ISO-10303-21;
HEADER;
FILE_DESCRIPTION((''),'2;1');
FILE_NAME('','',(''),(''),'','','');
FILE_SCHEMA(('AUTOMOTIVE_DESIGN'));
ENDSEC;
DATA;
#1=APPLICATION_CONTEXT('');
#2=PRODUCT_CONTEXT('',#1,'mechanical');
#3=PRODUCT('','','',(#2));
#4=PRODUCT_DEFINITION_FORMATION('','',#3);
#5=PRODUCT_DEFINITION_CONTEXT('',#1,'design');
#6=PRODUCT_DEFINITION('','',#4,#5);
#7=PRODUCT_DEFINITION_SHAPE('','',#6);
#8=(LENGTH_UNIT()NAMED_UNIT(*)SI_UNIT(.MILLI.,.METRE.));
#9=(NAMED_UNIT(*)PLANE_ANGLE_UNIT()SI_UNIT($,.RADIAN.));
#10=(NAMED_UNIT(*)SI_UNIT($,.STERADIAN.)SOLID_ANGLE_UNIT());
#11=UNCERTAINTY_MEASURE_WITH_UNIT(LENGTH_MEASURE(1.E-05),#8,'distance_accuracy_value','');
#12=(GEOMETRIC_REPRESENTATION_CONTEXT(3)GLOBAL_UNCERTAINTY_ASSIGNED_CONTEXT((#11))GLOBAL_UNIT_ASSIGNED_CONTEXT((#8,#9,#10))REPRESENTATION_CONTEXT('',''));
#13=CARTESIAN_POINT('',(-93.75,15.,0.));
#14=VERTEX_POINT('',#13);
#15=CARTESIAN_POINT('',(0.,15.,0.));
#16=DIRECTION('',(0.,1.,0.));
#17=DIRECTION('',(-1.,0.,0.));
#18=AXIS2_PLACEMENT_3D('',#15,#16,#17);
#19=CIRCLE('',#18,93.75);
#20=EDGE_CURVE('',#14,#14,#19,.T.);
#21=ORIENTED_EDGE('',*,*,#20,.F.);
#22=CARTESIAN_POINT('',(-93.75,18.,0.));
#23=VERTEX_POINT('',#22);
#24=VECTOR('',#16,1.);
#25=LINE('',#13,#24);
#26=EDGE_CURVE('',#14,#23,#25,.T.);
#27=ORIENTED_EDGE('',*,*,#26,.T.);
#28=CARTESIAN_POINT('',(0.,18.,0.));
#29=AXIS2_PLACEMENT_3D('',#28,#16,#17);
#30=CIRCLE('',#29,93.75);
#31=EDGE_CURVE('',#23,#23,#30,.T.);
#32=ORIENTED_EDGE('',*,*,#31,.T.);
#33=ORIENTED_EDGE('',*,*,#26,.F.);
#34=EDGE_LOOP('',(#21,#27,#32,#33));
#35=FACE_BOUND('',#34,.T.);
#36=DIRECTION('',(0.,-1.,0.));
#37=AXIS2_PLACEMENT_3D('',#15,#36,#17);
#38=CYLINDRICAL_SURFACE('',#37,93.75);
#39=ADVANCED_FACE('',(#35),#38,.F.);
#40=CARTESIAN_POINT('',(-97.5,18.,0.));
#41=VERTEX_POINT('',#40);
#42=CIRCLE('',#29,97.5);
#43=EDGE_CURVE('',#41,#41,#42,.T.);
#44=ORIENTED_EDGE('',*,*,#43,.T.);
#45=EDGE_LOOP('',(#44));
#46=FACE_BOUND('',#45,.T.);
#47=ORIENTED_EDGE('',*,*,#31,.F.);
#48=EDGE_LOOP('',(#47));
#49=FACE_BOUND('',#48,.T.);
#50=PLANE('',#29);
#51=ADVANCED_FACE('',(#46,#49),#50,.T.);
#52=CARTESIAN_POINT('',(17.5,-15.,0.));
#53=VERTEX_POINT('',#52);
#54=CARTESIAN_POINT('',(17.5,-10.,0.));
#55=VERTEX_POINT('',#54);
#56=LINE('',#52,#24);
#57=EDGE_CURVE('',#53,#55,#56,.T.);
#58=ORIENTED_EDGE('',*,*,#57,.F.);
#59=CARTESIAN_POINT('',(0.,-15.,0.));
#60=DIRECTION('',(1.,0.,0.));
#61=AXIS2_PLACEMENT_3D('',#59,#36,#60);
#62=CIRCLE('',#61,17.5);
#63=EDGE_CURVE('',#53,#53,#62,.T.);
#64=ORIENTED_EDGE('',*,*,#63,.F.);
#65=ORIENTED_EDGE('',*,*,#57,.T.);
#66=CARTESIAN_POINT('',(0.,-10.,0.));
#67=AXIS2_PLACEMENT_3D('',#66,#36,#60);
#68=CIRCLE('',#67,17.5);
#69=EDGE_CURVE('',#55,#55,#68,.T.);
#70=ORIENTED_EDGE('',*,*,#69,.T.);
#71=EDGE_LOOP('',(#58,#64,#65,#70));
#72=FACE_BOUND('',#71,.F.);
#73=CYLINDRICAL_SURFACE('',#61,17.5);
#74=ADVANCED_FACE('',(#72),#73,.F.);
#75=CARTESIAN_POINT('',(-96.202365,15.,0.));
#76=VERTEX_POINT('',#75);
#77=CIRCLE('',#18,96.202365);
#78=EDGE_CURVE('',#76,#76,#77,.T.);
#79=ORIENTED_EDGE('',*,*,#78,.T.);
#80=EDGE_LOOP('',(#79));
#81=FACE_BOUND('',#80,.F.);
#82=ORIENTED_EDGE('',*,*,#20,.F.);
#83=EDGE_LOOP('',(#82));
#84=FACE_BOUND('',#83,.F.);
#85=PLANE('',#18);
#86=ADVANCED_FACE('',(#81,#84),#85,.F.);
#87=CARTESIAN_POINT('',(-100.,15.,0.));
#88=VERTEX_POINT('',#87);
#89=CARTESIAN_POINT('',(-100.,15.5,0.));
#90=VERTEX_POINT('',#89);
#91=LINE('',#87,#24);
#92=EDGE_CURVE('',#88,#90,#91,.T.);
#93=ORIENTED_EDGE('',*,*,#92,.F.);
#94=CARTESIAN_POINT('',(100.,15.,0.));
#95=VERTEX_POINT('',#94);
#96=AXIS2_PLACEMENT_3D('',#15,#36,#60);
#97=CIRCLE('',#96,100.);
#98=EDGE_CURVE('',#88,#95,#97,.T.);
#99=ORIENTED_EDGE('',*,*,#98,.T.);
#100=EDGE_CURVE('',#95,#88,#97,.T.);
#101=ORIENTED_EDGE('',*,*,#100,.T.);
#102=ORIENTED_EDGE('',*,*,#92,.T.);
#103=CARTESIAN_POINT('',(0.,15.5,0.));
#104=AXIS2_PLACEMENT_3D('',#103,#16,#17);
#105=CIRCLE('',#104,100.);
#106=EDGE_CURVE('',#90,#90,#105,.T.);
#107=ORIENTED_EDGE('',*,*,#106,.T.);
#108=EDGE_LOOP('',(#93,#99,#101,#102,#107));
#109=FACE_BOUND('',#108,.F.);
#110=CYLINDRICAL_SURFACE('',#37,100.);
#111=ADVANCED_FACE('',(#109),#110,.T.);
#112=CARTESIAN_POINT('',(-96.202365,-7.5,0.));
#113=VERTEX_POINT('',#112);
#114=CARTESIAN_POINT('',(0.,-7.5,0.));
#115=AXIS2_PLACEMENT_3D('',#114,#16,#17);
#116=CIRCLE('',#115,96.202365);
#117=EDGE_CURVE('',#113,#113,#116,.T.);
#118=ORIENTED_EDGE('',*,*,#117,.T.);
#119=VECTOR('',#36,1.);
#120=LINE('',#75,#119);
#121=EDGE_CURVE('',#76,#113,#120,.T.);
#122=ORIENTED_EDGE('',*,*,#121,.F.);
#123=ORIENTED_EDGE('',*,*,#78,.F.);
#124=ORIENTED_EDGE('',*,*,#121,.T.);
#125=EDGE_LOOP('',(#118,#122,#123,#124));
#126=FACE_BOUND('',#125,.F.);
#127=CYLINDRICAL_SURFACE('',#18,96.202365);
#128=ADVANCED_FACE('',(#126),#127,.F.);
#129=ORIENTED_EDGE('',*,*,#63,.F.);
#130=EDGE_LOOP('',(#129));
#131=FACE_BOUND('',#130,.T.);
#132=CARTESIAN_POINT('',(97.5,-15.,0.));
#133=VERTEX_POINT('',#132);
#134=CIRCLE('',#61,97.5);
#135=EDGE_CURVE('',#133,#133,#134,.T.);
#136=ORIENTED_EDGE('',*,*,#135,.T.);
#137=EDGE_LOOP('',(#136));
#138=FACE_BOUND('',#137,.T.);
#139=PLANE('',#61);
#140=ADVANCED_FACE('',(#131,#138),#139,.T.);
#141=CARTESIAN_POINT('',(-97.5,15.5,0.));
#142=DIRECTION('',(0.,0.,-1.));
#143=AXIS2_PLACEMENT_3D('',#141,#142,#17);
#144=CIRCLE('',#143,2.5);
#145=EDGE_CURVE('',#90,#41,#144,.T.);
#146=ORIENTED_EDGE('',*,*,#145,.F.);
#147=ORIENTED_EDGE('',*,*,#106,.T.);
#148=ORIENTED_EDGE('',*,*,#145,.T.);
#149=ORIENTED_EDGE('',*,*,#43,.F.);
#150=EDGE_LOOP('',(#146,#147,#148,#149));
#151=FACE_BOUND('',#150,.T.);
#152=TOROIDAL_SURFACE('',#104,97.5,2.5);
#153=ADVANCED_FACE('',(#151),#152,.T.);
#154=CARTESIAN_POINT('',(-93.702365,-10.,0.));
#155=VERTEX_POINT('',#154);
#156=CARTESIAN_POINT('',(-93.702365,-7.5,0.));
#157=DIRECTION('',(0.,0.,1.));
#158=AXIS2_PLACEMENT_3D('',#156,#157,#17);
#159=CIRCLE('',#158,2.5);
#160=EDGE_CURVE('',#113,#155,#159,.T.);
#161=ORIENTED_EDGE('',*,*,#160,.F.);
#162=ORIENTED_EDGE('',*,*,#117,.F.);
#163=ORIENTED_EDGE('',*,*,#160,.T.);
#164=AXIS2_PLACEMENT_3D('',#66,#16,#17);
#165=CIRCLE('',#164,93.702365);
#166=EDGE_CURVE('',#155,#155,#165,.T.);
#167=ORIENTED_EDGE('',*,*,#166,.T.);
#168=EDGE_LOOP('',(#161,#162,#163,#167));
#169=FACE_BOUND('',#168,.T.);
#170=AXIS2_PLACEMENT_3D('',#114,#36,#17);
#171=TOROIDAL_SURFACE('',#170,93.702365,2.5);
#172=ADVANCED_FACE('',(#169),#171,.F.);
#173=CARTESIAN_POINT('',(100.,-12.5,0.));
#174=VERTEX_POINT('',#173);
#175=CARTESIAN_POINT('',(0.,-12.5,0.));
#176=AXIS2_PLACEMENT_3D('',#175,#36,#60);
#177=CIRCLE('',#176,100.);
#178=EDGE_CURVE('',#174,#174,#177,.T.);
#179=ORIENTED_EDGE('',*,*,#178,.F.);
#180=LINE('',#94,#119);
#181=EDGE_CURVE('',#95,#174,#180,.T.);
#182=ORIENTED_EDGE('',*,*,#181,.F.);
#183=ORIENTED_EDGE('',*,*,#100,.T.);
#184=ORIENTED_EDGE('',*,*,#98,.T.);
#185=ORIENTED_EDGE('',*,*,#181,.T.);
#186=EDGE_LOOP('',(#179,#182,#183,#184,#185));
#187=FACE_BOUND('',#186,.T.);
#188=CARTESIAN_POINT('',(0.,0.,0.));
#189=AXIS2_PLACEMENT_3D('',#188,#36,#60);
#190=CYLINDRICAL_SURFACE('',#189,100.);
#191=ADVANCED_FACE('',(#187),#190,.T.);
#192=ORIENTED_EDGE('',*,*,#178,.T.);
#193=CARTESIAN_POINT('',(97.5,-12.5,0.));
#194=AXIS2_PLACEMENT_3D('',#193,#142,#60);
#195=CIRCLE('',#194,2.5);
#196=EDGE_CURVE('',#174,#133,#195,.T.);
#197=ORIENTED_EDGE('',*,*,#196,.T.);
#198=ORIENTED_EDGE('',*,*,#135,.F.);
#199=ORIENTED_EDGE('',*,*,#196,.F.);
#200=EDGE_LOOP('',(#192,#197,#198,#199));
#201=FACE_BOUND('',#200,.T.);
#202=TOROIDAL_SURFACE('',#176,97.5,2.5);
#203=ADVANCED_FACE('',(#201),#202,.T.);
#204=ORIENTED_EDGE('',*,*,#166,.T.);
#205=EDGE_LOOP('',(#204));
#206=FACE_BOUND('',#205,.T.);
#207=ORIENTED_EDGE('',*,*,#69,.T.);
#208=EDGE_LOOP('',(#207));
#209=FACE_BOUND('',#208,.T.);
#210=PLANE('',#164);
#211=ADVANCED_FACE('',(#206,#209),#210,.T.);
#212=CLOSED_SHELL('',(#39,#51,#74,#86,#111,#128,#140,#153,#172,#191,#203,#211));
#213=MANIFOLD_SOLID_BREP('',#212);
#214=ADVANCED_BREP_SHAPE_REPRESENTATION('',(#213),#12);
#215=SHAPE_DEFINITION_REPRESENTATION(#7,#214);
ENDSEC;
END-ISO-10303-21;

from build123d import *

# Parameters (mm, degrees)
F0_R          = 100
F1_DEPTH      = 15
F1_DEPTH_BACK = 15
F2_R          = 96.202365
F3_DEPTH      = 25
F4_R          = 2.5
F5_R          = 2.5
F6_R          = 17.5
F7_DEPTH      = 30.001
F8_R          = 100
F8_R_2        = 93.75
F9_DEPTH      = 3
F10_R         = 2.5


with BuildPart() as f1:
    # F0 (on Front) → F1 (new body, two sides)
    with BuildSketch(Plane.XZ) as f1_sk:
        Circle(F0_R)
    extrude(amount=F1_DEPTH)
    extrude(f1_sk.sketch, amount=-F1_DEPTH_BACK)

    # F2 (on face) → F3 (cut)
    with BuildSketch(Plane(origin=(0, 15, 0), x_dir=(-1, 0, 0), z_dir=(0, 1, 0))):
        Circle(F2_R)
    extrude(amount=-F3_DEPTH, mode=Mode.SUBTRACT)

    # F4
    f4_edges = [f1.edges().sort_by_distance(p)[0] for p in [
        (96.202365, -10, 0),
    ]]
    fillet(f4_edges, radius=F4_R)

    # F5
    f5_edges = [f1.edges().sort_by_distance(p)[0] for p in [
        (-100, -15, 0),
    ]]
    fillet(f5_edges, radius=F5_R)

    # F6 (on face) → F7 (cut, through all)
    with BuildSketch(Plane.XZ.offset(15)):
        Circle(F6_R)
    extrude(amount=-F7_DEPTH, mode=Mode.SUBTRACT)

    # F8 (on face) → F9 (join)
    with BuildSketch(Plane(origin=(0, 15, 0), x_dir=(-1, 0, 0), z_dir=(0, 1, 0))):
        Circle(F8_R)
        Circle(F8_R_2, mode=Mode.SUBTRACT)
    extrude(amount=F9_DEPTH)

    # F10
    f10_edges = [f1.edges().sort_by_distance(p)[0] for p in [
        (100, 18, 0),
    ]]
    fillet(f10_edges, radius=F10_R)


solid = f1.part
